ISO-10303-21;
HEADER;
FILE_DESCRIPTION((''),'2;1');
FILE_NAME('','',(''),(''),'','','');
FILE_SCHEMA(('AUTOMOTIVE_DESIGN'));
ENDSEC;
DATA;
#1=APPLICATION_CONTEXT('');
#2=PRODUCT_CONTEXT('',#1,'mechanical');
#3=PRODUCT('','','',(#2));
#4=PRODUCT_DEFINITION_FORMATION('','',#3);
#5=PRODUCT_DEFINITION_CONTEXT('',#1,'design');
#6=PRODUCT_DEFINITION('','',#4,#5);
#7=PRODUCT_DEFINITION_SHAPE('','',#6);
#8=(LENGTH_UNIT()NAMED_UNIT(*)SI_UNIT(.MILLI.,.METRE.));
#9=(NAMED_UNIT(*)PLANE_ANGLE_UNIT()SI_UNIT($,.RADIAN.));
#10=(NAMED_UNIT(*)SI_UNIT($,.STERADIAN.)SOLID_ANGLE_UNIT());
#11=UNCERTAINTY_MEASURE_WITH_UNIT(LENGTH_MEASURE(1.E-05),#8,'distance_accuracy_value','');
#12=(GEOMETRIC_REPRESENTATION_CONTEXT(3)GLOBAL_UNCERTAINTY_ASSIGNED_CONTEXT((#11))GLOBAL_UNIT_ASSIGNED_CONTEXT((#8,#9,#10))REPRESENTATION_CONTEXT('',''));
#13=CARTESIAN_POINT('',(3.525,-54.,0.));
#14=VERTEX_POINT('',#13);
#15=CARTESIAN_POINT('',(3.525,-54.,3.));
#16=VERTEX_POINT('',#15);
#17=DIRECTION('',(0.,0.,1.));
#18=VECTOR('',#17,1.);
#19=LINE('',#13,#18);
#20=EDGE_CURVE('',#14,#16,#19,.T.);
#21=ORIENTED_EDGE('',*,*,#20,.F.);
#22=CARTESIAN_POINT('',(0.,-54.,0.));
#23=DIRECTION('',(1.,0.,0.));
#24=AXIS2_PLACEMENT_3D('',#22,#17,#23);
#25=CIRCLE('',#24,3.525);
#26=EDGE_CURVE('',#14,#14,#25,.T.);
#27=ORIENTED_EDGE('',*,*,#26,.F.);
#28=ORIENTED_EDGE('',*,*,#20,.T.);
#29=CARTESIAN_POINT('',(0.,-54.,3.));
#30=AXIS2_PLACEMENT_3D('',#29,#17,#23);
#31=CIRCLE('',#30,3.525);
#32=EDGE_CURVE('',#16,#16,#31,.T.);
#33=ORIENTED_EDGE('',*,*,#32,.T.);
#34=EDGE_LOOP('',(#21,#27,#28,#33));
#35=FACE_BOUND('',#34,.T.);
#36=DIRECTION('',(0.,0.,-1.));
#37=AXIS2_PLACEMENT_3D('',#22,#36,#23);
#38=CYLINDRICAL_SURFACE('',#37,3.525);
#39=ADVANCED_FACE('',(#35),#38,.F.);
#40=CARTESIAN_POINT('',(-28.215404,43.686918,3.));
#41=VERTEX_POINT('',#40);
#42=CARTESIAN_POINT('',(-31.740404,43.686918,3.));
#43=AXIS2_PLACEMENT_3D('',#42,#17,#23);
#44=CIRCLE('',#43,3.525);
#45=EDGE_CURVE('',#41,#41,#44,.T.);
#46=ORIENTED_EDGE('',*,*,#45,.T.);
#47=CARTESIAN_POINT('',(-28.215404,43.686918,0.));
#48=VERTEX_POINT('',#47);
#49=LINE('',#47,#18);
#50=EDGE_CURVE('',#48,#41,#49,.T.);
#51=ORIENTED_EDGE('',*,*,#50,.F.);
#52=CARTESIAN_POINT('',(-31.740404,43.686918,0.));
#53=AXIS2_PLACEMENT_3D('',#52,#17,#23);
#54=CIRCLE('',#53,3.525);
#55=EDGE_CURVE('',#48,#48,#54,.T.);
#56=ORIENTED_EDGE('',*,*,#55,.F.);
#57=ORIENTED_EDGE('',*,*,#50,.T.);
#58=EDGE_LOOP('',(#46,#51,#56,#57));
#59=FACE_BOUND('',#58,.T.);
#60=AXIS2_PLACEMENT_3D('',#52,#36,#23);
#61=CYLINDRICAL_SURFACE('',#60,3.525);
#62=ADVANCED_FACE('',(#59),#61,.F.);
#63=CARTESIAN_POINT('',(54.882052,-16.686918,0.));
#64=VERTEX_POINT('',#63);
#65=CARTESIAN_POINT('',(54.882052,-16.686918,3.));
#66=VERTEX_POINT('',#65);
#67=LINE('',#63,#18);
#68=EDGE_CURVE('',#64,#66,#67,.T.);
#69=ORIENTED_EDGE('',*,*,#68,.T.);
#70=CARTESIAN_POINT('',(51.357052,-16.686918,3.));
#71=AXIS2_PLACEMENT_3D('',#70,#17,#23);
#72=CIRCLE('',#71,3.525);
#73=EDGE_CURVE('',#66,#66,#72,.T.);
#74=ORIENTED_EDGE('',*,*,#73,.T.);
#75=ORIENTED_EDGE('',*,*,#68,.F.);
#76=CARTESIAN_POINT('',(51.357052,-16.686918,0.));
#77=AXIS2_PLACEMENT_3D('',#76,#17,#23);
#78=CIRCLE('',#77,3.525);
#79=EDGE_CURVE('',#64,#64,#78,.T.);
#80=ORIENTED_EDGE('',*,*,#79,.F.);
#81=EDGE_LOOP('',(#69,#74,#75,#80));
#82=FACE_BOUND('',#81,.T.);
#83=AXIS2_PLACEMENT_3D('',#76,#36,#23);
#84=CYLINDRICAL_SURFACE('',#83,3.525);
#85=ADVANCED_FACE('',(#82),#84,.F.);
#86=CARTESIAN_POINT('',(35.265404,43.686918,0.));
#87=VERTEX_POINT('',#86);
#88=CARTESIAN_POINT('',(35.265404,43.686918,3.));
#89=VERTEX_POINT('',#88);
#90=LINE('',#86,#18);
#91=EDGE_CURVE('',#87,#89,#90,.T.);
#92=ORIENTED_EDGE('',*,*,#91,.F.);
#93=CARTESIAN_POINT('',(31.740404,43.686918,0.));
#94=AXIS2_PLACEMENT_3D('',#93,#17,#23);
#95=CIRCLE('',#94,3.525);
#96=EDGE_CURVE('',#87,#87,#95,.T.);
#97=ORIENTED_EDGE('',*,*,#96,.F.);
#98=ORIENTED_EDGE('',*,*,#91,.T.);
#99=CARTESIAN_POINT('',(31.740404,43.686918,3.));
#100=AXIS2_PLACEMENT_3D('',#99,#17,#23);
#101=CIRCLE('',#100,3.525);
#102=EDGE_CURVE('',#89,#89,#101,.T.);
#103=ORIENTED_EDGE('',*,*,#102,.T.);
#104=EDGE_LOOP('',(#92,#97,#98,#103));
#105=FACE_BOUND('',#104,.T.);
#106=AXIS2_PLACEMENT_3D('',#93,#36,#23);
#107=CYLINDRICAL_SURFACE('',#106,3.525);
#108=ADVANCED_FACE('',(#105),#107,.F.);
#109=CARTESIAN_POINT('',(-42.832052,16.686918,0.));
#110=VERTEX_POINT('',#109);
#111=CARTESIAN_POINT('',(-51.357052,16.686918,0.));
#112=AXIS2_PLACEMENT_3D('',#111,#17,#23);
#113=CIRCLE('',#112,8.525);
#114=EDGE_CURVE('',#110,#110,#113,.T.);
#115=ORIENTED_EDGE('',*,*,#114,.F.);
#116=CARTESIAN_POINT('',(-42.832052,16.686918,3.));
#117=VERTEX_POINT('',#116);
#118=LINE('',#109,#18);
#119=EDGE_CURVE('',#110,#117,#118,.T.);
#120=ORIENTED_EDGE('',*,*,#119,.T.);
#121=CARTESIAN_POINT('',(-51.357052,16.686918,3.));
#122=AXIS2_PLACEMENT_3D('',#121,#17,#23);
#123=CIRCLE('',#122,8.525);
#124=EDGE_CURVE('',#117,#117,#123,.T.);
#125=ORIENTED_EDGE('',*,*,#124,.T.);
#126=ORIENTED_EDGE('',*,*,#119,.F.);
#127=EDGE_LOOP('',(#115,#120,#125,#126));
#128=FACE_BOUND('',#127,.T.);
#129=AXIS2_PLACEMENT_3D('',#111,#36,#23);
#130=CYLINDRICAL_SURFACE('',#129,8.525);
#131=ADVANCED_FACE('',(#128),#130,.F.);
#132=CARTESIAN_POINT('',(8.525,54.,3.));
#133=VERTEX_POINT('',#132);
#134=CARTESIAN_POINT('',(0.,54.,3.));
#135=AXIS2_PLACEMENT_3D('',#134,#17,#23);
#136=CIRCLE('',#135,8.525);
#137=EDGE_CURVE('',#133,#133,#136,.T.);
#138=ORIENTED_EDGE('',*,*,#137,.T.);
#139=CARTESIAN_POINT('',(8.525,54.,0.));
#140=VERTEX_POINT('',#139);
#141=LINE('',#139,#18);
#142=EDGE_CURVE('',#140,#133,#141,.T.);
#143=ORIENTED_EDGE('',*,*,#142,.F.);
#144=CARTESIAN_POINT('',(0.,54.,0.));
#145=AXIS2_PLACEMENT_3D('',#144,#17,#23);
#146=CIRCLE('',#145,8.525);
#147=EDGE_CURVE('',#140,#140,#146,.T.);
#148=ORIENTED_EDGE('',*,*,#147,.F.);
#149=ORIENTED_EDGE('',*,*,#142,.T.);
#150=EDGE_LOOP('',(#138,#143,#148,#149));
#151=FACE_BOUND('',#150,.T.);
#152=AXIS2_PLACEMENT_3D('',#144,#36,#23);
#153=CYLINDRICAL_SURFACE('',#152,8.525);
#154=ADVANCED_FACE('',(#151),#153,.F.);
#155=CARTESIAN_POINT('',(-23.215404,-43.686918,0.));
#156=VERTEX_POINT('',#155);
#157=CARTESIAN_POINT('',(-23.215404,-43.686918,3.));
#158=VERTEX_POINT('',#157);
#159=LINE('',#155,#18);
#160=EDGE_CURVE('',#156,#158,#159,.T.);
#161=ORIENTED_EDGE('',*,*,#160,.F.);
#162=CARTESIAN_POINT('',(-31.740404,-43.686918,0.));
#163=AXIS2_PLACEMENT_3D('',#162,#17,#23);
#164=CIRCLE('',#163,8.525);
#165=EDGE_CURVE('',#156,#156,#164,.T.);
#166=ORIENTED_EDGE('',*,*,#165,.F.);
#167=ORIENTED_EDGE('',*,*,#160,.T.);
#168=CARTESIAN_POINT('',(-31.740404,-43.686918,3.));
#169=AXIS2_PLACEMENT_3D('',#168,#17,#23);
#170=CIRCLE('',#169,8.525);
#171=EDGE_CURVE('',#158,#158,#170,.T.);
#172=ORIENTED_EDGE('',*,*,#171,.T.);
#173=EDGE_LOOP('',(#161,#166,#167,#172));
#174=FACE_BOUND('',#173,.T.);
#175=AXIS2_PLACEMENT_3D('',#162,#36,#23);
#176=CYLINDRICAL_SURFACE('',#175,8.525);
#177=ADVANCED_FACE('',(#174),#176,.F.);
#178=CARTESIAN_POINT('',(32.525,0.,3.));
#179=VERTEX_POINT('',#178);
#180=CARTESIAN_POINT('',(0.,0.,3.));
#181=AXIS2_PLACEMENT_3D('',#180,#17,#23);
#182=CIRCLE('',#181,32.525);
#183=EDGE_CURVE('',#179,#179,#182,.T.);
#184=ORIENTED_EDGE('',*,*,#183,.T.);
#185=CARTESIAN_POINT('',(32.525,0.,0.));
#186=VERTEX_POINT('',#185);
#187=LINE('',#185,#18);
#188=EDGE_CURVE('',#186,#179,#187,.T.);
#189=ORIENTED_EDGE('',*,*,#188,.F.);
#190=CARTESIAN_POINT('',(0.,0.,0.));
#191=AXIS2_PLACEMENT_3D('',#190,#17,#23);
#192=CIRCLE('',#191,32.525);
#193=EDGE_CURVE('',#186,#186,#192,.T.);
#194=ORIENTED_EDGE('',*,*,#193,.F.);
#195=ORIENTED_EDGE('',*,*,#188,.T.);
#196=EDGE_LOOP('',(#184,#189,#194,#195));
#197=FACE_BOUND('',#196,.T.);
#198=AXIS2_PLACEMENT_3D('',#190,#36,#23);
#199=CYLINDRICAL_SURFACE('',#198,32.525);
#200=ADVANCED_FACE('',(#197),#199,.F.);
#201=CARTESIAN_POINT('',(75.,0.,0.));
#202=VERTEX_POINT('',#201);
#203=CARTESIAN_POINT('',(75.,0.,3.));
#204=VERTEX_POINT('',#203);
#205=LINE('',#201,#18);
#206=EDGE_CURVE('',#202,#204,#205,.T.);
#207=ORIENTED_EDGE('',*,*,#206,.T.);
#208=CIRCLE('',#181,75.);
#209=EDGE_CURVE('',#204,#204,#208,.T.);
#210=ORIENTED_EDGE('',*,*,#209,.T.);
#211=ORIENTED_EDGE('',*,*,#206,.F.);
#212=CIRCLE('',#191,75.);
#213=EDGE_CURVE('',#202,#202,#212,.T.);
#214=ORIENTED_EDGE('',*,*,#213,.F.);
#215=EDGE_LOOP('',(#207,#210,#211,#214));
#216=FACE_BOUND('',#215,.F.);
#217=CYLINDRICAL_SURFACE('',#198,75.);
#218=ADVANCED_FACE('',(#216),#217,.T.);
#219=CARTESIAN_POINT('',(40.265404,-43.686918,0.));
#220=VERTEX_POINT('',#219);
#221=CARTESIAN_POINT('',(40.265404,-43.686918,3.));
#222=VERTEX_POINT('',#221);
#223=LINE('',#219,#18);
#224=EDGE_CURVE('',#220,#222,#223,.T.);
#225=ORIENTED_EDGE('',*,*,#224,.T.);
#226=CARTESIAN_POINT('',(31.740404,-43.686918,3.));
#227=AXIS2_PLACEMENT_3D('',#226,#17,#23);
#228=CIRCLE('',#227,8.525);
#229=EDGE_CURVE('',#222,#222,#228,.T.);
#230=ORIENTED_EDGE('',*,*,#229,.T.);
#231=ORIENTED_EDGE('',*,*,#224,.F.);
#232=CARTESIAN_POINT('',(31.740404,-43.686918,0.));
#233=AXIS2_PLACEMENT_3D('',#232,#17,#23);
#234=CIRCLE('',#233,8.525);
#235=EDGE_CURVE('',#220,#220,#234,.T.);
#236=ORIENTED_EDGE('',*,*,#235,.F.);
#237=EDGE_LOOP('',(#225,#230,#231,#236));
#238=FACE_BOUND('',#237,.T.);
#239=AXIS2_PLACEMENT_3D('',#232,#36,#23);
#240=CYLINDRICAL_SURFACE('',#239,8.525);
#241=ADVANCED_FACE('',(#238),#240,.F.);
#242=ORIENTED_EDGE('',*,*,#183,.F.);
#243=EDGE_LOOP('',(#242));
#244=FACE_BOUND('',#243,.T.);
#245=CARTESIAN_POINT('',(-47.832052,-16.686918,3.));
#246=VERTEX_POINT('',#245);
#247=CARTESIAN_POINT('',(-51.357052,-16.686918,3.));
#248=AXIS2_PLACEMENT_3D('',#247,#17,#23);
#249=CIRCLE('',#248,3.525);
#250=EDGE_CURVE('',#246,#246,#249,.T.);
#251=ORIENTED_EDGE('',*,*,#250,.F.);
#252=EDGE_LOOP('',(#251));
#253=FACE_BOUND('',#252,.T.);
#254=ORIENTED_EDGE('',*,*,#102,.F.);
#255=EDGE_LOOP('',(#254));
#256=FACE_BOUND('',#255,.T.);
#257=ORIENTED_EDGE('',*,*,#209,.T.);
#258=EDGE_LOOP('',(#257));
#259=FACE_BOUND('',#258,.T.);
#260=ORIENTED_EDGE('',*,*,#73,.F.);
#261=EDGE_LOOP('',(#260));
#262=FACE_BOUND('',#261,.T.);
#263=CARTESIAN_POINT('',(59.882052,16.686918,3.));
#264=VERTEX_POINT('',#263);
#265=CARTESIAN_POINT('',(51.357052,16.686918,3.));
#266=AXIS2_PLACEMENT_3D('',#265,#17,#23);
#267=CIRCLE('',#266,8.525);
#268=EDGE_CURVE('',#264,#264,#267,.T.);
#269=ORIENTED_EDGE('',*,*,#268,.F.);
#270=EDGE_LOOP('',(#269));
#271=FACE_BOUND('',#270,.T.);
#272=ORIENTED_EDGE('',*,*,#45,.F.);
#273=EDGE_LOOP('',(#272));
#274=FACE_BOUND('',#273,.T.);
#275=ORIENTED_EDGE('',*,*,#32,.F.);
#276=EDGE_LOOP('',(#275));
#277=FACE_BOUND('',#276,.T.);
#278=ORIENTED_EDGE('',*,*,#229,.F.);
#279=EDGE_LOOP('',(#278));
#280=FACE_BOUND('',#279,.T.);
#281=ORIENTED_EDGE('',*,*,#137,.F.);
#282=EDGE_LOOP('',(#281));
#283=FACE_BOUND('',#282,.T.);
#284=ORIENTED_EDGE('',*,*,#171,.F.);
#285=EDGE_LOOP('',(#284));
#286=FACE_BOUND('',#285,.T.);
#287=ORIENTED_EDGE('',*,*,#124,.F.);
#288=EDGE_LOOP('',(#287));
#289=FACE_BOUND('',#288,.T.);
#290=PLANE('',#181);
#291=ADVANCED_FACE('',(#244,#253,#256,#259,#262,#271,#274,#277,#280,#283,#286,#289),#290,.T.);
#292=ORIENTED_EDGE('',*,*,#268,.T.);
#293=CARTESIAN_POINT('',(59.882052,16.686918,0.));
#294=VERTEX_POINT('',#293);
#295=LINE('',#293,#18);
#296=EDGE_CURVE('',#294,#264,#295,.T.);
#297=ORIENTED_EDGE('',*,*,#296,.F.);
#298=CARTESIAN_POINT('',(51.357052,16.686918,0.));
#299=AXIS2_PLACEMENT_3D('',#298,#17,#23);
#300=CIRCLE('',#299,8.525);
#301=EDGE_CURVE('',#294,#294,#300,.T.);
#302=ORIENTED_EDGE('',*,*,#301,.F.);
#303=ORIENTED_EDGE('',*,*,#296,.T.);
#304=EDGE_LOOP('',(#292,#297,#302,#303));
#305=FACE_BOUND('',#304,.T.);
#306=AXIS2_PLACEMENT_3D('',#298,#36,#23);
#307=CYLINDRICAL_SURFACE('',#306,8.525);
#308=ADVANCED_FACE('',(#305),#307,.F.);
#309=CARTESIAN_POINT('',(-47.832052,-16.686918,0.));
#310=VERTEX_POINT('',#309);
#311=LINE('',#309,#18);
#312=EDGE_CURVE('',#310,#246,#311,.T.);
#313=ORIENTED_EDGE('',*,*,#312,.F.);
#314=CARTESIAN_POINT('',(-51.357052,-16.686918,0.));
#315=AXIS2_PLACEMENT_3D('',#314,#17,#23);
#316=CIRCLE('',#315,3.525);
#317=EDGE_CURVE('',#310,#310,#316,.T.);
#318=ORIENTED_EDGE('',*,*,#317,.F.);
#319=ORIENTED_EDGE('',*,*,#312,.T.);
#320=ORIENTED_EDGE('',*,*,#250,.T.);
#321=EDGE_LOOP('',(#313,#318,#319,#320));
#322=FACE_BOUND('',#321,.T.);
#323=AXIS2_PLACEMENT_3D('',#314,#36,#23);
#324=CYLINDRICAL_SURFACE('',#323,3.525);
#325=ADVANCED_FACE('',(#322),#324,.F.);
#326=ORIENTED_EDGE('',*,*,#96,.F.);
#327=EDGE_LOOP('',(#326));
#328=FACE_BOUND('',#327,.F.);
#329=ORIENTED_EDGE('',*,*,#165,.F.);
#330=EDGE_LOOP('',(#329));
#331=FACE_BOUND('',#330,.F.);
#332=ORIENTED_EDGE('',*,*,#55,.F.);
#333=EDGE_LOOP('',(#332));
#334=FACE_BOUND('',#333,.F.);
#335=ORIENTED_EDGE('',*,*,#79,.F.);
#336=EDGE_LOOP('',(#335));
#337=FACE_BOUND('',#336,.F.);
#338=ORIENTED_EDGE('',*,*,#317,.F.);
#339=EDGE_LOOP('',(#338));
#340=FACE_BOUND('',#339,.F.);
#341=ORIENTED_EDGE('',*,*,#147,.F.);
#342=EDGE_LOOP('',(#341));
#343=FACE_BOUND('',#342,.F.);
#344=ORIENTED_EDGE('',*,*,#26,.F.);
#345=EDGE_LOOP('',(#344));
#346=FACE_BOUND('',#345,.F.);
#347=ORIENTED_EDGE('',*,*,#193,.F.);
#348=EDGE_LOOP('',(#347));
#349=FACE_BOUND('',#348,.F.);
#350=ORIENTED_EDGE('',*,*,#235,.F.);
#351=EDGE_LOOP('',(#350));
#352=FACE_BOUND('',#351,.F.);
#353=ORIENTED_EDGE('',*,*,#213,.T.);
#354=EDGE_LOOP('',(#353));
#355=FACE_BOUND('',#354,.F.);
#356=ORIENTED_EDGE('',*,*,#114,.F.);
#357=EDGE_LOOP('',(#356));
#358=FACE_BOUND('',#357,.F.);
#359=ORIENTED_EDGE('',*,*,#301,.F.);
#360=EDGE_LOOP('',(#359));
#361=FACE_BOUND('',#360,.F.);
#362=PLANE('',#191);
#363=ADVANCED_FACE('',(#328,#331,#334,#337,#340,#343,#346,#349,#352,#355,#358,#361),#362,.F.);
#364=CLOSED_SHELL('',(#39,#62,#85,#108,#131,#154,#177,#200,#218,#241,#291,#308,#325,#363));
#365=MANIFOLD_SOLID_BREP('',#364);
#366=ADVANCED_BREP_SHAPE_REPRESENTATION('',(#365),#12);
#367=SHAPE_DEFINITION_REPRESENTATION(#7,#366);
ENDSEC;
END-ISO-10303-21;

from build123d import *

# Parameters (mm, degrees)
F0_R     = 75
F0_R_2   = 8.525
F0_R_3   = 3.525
F0_R_4   = 32.525
F1_DEPTH = 3


with BuildPart() as f1:
    # F0 (on Top) → F1 (new body)
    with BuildSketch(Plane.XY):
        Circle(F0_R)
        with Locations((-31.740404, -43.686918)):
            Circle(F0_R_2, mode=Mode.SUBTRACT)
        with Locations((-51.357052, -16.686918)):
            Circle(F0_R_3, mode=Mode.SUBTRACT)
        with Locations((0, -54)):
            Circle(F0_R_3, mode=Mode.SUBTRACT)
        with Locations((31.740404, -43.686918)):
            Circle(F0_R_2, mode=Mode.SUBTRACT)
        with Locations((51.357052, -16.686918)):
            Circle(F0_R_3, mode=Mode.SUBTRACT)
        with Locations((-51.357052, 16.686918)):
            Circle(F0_R_2, mode=Mode.SUBTRACT)
        with Locations((-31.740404, 43.686918)):
            Circle(F0_R_3, mode=Mode.SUBTRACT)
        Circle(F0_R_4, mode=Mode.SUBTRACT)
        with Locations((51.357052, 16.686918)):
            Circle(F0_R_2, mode=Mode.SUBTRACT)
        with Locations((0, 54)):
            Circle(F0_R_2, mode=Mode.SUBTRACT)
        with Locations((31.740404, 43.686918)):
            Circle(F0_R_3, mode=Mode.SUBTRACT)
    extrude(amount=F1_DEPTH)


solid = f1.part
